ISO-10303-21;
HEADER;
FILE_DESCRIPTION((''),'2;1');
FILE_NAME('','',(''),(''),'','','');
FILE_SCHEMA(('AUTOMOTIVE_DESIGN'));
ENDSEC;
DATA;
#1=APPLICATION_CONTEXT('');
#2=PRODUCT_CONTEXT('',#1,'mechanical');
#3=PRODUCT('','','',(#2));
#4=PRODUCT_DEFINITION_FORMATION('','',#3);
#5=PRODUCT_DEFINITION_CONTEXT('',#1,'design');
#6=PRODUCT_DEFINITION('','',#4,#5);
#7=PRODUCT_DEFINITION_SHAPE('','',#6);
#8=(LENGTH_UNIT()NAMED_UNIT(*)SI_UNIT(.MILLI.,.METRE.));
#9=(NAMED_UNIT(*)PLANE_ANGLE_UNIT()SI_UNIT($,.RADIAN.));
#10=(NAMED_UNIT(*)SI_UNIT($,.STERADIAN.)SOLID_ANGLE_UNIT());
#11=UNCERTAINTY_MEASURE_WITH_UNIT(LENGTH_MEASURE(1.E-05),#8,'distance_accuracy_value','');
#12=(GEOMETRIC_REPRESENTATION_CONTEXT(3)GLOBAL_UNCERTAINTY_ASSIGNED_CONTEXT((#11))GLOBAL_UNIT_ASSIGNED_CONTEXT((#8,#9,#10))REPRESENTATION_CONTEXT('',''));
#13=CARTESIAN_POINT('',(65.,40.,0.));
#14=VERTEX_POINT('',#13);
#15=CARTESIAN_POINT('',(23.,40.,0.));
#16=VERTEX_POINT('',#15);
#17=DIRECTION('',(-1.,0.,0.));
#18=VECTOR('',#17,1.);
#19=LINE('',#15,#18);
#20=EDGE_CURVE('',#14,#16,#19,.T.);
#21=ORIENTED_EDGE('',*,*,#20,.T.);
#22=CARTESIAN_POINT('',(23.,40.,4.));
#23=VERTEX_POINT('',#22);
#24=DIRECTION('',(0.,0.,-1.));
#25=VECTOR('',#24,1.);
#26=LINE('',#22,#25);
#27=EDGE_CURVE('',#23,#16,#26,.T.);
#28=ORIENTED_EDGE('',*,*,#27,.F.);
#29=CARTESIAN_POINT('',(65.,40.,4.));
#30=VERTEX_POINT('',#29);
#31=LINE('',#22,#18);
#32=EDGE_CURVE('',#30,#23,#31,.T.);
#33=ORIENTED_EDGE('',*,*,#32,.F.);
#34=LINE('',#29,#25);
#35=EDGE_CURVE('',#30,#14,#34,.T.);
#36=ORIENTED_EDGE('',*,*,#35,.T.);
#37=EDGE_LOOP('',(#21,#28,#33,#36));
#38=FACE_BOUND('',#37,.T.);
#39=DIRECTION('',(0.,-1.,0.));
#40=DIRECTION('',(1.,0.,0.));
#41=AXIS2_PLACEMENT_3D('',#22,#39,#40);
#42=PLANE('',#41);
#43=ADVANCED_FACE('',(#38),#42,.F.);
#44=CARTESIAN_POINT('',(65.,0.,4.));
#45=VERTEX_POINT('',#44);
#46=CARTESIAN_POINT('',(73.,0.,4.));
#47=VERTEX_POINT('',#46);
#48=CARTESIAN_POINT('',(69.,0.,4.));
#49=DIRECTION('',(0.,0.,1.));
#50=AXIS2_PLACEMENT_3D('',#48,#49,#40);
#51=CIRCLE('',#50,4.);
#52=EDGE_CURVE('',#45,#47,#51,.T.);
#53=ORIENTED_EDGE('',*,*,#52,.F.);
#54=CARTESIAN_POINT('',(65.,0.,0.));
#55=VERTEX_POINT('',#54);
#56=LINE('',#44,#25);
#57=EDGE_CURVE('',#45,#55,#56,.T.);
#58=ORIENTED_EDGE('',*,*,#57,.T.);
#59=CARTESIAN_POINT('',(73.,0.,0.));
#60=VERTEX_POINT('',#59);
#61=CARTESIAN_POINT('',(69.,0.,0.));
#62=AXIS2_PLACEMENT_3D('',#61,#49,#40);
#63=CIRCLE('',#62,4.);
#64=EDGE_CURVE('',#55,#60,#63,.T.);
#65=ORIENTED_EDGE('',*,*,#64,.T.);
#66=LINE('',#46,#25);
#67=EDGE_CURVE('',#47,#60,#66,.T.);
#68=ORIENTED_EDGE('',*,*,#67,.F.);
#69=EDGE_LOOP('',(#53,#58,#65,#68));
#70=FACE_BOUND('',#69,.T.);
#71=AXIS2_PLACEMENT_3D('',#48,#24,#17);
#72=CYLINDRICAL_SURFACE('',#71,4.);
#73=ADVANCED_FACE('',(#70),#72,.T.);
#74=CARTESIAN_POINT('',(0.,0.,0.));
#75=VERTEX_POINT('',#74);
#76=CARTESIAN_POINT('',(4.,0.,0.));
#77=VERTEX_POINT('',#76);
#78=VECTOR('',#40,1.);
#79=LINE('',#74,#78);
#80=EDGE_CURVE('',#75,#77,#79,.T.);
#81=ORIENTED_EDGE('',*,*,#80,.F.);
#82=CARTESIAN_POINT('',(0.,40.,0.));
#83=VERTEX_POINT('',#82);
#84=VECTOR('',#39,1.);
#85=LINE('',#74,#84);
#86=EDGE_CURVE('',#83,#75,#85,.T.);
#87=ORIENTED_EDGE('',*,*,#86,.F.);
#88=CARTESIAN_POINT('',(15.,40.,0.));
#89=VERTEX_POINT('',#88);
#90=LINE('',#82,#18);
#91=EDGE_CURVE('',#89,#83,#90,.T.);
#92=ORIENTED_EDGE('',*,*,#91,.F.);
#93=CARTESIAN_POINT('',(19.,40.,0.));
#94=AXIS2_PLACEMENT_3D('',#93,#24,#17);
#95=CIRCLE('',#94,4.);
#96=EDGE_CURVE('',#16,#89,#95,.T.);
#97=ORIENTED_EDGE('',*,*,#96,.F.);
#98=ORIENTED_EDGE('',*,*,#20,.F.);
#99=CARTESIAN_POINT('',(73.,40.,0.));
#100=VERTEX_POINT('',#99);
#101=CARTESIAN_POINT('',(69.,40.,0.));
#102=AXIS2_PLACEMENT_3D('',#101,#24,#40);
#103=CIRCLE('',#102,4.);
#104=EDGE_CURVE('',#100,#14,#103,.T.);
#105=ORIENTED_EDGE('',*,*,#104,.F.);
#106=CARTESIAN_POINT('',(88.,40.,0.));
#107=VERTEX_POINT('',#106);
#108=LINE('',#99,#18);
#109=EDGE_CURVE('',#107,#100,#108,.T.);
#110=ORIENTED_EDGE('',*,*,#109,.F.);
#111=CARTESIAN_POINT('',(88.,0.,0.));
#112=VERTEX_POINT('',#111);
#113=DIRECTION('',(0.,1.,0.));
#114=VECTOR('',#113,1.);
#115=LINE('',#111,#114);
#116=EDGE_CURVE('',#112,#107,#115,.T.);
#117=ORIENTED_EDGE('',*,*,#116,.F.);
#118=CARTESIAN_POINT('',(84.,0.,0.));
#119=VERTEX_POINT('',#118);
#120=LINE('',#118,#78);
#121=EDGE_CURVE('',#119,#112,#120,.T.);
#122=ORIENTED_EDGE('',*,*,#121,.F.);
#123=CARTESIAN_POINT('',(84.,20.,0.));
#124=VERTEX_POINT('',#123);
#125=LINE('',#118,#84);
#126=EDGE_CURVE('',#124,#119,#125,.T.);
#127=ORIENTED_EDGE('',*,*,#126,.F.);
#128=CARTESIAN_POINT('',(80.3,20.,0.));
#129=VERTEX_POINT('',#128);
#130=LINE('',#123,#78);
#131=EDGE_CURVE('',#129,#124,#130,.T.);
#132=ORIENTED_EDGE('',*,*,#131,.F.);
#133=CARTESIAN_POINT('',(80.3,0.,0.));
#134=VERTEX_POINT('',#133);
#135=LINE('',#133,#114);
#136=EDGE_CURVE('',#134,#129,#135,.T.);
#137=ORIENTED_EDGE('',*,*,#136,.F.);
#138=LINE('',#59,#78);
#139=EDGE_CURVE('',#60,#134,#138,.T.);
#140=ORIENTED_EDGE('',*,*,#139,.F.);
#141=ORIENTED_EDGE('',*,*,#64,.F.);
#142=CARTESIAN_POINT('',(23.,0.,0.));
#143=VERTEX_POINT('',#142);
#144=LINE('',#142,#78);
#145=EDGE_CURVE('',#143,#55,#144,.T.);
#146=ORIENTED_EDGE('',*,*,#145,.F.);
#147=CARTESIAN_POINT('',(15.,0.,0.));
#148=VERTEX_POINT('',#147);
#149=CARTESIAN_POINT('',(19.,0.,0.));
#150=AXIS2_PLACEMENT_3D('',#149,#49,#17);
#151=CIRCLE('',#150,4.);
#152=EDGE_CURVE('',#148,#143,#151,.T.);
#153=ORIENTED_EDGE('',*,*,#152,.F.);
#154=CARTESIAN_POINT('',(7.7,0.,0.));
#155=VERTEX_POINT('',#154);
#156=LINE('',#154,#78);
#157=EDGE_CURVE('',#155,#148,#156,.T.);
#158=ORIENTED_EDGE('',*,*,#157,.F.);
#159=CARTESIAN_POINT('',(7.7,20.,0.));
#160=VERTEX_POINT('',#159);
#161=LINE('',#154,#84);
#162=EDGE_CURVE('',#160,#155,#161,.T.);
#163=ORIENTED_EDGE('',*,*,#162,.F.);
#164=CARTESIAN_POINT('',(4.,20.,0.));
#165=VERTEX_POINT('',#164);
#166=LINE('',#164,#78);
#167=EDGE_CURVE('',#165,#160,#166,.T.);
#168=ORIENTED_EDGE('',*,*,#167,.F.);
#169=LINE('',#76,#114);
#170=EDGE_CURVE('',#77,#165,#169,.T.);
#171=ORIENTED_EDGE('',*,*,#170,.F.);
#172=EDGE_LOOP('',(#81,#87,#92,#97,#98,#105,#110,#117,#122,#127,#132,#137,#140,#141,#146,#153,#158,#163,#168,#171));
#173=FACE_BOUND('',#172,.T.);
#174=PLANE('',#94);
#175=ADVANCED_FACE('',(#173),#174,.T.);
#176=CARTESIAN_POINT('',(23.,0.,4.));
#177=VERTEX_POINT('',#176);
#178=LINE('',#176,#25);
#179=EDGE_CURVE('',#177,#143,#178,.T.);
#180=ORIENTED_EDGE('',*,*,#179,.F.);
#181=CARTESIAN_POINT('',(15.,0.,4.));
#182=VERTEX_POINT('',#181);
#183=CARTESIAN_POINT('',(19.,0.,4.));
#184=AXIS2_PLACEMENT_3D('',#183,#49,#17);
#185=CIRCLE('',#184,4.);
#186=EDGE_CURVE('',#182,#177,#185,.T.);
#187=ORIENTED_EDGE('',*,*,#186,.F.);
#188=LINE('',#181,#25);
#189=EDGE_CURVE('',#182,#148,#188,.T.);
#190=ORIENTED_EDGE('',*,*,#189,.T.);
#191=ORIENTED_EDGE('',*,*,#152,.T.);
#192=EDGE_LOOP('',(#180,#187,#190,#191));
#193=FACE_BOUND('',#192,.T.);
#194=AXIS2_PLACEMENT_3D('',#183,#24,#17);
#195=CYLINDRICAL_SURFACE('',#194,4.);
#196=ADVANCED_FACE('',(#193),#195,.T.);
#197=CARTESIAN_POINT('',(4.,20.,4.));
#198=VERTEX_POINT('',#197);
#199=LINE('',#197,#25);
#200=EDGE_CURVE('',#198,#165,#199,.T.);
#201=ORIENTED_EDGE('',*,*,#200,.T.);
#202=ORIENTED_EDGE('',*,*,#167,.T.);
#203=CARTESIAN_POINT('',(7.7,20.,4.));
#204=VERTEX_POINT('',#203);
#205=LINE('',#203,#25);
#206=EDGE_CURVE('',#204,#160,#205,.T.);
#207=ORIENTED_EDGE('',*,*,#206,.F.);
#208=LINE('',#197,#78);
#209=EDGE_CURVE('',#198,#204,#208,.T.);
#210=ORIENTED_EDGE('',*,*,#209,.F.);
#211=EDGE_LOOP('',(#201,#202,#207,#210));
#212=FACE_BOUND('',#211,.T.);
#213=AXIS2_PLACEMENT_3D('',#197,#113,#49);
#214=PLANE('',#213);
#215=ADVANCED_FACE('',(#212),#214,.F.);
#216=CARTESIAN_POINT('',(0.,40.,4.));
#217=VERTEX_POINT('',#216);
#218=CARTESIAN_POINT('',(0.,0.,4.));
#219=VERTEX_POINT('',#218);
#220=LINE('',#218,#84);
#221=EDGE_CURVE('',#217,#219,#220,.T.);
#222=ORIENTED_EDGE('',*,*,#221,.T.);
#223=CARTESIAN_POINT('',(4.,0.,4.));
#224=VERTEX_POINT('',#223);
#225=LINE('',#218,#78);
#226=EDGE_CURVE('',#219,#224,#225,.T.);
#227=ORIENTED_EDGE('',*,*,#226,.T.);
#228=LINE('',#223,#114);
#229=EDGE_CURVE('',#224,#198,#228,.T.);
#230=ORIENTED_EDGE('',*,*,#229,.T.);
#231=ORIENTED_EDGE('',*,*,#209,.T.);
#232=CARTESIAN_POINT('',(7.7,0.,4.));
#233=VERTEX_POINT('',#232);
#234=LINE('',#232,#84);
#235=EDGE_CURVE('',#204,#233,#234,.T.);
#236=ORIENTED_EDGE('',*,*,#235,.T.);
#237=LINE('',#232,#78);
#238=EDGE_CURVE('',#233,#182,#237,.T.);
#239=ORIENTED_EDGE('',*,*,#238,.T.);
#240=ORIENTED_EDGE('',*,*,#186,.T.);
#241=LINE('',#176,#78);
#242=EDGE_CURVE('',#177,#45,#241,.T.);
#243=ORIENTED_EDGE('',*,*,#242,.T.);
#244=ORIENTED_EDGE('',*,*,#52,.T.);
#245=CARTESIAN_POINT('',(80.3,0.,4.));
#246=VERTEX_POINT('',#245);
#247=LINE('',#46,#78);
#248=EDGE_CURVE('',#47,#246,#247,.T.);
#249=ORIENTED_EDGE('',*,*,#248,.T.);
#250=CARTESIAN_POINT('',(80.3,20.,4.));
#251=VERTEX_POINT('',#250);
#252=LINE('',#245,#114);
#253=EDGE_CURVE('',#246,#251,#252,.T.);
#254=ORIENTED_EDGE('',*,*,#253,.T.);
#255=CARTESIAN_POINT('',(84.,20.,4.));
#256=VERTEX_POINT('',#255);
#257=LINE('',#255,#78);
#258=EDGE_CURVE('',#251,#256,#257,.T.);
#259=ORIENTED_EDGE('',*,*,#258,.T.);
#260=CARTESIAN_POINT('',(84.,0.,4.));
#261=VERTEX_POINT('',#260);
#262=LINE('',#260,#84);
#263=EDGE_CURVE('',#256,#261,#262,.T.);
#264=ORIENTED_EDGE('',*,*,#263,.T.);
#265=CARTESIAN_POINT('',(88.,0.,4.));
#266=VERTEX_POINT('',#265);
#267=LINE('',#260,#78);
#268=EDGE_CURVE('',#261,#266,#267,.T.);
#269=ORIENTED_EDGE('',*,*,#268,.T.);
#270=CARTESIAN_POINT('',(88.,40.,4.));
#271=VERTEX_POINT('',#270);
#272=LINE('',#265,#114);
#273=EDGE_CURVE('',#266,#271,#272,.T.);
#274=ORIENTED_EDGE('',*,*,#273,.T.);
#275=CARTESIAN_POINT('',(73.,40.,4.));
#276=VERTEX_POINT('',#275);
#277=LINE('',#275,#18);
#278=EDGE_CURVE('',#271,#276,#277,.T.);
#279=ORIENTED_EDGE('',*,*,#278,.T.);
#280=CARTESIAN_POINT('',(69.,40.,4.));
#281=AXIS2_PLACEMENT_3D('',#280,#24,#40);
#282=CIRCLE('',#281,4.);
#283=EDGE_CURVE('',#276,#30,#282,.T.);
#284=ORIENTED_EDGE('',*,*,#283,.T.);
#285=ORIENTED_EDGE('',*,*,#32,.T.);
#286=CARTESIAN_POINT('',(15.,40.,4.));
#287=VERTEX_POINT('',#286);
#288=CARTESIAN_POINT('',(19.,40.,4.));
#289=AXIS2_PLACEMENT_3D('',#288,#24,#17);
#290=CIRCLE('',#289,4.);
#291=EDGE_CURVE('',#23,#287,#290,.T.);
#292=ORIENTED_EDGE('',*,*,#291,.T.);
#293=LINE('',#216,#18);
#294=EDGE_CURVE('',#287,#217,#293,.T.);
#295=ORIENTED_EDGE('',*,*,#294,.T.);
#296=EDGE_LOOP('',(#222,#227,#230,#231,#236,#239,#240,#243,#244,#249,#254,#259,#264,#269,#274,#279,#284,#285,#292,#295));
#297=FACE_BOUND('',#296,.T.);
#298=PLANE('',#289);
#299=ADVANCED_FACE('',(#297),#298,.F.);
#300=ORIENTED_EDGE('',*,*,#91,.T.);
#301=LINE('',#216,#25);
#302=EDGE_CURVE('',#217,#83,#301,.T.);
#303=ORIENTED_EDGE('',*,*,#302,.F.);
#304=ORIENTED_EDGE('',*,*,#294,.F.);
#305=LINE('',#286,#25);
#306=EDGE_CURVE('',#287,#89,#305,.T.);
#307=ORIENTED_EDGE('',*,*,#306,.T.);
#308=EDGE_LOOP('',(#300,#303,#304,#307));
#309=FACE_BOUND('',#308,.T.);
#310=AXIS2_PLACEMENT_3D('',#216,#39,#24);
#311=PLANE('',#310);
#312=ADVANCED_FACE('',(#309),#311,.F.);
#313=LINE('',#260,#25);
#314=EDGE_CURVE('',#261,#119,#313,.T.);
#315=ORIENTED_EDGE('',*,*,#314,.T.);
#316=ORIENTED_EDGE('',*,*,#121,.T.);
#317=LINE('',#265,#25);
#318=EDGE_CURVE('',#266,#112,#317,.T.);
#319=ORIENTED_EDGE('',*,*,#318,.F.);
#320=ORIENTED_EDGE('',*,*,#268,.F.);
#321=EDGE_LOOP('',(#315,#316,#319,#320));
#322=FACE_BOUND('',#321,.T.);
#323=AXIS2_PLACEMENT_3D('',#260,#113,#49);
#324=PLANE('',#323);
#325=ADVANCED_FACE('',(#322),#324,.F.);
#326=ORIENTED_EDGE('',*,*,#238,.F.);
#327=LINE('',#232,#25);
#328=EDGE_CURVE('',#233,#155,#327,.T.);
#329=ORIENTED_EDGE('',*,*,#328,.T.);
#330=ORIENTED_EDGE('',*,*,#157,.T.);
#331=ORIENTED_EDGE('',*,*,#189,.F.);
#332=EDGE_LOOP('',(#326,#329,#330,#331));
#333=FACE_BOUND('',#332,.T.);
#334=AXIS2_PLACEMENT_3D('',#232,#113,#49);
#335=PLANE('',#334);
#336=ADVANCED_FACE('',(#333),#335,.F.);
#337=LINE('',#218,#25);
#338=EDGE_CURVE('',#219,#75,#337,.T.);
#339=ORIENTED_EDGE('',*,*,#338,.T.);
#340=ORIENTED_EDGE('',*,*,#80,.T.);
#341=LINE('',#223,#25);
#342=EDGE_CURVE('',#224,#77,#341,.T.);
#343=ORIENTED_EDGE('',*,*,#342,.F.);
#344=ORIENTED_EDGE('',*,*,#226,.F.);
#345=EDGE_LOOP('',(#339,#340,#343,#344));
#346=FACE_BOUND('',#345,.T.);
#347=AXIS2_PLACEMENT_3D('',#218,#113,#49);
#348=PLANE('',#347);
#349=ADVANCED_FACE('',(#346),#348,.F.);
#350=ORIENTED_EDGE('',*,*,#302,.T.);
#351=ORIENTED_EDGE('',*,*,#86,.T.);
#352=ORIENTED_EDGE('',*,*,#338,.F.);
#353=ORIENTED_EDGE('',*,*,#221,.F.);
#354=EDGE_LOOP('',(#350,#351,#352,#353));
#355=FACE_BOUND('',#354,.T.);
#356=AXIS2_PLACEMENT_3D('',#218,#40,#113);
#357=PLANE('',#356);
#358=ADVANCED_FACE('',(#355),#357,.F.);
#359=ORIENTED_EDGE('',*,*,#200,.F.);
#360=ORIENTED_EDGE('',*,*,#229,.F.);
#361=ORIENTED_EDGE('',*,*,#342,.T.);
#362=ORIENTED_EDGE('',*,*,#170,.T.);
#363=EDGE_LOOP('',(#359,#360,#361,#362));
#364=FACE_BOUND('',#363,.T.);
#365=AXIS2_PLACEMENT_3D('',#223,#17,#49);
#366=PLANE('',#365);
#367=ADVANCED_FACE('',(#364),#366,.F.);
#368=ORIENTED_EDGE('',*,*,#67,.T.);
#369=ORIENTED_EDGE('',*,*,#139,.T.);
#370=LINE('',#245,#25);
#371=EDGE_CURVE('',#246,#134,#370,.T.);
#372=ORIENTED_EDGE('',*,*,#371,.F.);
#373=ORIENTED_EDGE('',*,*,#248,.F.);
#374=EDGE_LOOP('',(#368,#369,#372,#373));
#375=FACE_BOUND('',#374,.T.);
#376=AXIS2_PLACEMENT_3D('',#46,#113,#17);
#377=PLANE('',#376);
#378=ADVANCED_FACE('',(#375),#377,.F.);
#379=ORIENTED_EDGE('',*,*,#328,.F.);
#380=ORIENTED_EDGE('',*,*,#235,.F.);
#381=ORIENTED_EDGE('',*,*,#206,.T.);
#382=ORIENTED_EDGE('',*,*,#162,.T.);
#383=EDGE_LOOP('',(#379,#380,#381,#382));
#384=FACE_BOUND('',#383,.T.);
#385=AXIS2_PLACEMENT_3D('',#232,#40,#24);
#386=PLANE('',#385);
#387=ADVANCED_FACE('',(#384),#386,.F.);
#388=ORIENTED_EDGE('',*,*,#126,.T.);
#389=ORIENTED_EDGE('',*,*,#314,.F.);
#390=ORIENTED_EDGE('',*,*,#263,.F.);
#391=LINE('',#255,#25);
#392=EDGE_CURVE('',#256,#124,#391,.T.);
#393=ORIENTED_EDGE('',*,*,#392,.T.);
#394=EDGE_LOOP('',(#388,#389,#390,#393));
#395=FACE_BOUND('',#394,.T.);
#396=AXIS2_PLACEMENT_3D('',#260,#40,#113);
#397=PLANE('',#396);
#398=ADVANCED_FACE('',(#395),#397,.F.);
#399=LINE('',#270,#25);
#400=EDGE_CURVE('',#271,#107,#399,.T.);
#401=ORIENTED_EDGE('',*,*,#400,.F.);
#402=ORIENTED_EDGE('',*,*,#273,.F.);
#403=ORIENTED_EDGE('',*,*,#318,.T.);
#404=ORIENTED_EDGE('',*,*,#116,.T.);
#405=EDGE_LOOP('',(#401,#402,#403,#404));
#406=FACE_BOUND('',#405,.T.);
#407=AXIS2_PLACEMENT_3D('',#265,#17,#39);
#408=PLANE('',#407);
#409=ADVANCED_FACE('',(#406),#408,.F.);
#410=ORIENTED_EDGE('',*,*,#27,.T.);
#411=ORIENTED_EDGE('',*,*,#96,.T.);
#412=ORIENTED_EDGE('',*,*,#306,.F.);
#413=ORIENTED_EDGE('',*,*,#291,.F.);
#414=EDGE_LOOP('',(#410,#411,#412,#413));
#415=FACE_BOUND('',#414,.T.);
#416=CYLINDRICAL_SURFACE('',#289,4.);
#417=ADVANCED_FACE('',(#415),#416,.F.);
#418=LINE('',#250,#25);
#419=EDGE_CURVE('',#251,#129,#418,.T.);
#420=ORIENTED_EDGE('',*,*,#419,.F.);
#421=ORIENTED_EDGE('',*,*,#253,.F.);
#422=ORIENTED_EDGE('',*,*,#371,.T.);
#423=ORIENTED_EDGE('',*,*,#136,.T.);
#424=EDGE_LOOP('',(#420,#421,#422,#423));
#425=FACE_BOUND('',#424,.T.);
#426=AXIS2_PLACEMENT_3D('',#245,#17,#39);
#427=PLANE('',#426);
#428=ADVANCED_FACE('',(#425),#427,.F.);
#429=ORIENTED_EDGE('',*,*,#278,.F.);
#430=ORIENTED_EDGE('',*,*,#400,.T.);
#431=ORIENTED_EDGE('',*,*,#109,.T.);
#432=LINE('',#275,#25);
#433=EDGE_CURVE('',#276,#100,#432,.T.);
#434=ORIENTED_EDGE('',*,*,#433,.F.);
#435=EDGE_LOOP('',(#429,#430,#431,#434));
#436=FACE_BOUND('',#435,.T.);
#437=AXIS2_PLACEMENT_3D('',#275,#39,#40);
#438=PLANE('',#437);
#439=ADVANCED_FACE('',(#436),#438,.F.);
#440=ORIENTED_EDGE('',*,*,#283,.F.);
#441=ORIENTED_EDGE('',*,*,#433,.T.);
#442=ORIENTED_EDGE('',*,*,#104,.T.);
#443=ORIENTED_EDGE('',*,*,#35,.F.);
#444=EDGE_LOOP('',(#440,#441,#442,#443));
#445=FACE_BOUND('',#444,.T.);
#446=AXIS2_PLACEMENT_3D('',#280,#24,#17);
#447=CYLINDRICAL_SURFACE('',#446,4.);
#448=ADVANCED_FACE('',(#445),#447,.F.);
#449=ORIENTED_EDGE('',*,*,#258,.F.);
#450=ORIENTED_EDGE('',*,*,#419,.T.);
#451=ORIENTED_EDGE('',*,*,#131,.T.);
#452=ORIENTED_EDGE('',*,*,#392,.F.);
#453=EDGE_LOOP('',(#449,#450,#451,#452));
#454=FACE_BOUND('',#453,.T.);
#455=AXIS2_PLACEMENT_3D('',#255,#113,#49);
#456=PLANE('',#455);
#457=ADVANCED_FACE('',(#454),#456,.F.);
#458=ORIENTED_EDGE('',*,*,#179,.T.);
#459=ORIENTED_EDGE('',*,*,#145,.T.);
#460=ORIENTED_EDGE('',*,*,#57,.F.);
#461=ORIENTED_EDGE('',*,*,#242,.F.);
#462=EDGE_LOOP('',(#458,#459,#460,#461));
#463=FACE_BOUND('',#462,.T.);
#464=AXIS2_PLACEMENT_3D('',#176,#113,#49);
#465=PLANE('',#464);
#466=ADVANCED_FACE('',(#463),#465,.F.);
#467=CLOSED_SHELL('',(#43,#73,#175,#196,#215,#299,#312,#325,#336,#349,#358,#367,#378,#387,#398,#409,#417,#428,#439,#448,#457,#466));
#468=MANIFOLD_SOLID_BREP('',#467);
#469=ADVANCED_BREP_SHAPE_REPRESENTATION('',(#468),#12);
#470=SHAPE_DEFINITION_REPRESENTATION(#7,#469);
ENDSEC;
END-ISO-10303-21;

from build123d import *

# Parameters (mm, degrees)
BOSS_EXTRUDE1_DEPTH = 4


with BuildPart() as part:
    # Sketch1 → Boss-Extrude1 (new body)
    with BuildSketch(Plane.XY):
        with BuildLine():
            Line((7.7, 0), (15, 0))
            ThreePointArc((15, 0), (19, -4), (23, 0))
            Line((23, 0), (65, 0))
            ThreePointArc((65, 0), (69, -4), (73, 0))
            Line((73, 0), (80.3, 0))
            Line((80.3, 0), (80.3, 20))
            Line((80.3, 20), (84, 20))
            Line((84, 20), (84, 0))
            Line((84, 0), (88, 0))
            Line((88, 0), (88, 40))
            Line((88, 40), (73, 40))
            ThreePointArc((73, 40), (69, 36), (65, 40))
            Line((65, 40), (23, 40))
            ThreePointArc((23, 40), (19, 36), (15, 40))
            Line((15, 40), (0, 40))
            Line((0, 40), (0, 0))
            Line((0, 0), (4, 0))
            Line((4, 0), (4, 20))
            Line((4, 20), (7.7, 20))
            Line((7.7, 20), (7.7, 0))
        make_face()
    extrude(amount=BOSS_EXTRUDE1_DEPTH)


solid = part.part
